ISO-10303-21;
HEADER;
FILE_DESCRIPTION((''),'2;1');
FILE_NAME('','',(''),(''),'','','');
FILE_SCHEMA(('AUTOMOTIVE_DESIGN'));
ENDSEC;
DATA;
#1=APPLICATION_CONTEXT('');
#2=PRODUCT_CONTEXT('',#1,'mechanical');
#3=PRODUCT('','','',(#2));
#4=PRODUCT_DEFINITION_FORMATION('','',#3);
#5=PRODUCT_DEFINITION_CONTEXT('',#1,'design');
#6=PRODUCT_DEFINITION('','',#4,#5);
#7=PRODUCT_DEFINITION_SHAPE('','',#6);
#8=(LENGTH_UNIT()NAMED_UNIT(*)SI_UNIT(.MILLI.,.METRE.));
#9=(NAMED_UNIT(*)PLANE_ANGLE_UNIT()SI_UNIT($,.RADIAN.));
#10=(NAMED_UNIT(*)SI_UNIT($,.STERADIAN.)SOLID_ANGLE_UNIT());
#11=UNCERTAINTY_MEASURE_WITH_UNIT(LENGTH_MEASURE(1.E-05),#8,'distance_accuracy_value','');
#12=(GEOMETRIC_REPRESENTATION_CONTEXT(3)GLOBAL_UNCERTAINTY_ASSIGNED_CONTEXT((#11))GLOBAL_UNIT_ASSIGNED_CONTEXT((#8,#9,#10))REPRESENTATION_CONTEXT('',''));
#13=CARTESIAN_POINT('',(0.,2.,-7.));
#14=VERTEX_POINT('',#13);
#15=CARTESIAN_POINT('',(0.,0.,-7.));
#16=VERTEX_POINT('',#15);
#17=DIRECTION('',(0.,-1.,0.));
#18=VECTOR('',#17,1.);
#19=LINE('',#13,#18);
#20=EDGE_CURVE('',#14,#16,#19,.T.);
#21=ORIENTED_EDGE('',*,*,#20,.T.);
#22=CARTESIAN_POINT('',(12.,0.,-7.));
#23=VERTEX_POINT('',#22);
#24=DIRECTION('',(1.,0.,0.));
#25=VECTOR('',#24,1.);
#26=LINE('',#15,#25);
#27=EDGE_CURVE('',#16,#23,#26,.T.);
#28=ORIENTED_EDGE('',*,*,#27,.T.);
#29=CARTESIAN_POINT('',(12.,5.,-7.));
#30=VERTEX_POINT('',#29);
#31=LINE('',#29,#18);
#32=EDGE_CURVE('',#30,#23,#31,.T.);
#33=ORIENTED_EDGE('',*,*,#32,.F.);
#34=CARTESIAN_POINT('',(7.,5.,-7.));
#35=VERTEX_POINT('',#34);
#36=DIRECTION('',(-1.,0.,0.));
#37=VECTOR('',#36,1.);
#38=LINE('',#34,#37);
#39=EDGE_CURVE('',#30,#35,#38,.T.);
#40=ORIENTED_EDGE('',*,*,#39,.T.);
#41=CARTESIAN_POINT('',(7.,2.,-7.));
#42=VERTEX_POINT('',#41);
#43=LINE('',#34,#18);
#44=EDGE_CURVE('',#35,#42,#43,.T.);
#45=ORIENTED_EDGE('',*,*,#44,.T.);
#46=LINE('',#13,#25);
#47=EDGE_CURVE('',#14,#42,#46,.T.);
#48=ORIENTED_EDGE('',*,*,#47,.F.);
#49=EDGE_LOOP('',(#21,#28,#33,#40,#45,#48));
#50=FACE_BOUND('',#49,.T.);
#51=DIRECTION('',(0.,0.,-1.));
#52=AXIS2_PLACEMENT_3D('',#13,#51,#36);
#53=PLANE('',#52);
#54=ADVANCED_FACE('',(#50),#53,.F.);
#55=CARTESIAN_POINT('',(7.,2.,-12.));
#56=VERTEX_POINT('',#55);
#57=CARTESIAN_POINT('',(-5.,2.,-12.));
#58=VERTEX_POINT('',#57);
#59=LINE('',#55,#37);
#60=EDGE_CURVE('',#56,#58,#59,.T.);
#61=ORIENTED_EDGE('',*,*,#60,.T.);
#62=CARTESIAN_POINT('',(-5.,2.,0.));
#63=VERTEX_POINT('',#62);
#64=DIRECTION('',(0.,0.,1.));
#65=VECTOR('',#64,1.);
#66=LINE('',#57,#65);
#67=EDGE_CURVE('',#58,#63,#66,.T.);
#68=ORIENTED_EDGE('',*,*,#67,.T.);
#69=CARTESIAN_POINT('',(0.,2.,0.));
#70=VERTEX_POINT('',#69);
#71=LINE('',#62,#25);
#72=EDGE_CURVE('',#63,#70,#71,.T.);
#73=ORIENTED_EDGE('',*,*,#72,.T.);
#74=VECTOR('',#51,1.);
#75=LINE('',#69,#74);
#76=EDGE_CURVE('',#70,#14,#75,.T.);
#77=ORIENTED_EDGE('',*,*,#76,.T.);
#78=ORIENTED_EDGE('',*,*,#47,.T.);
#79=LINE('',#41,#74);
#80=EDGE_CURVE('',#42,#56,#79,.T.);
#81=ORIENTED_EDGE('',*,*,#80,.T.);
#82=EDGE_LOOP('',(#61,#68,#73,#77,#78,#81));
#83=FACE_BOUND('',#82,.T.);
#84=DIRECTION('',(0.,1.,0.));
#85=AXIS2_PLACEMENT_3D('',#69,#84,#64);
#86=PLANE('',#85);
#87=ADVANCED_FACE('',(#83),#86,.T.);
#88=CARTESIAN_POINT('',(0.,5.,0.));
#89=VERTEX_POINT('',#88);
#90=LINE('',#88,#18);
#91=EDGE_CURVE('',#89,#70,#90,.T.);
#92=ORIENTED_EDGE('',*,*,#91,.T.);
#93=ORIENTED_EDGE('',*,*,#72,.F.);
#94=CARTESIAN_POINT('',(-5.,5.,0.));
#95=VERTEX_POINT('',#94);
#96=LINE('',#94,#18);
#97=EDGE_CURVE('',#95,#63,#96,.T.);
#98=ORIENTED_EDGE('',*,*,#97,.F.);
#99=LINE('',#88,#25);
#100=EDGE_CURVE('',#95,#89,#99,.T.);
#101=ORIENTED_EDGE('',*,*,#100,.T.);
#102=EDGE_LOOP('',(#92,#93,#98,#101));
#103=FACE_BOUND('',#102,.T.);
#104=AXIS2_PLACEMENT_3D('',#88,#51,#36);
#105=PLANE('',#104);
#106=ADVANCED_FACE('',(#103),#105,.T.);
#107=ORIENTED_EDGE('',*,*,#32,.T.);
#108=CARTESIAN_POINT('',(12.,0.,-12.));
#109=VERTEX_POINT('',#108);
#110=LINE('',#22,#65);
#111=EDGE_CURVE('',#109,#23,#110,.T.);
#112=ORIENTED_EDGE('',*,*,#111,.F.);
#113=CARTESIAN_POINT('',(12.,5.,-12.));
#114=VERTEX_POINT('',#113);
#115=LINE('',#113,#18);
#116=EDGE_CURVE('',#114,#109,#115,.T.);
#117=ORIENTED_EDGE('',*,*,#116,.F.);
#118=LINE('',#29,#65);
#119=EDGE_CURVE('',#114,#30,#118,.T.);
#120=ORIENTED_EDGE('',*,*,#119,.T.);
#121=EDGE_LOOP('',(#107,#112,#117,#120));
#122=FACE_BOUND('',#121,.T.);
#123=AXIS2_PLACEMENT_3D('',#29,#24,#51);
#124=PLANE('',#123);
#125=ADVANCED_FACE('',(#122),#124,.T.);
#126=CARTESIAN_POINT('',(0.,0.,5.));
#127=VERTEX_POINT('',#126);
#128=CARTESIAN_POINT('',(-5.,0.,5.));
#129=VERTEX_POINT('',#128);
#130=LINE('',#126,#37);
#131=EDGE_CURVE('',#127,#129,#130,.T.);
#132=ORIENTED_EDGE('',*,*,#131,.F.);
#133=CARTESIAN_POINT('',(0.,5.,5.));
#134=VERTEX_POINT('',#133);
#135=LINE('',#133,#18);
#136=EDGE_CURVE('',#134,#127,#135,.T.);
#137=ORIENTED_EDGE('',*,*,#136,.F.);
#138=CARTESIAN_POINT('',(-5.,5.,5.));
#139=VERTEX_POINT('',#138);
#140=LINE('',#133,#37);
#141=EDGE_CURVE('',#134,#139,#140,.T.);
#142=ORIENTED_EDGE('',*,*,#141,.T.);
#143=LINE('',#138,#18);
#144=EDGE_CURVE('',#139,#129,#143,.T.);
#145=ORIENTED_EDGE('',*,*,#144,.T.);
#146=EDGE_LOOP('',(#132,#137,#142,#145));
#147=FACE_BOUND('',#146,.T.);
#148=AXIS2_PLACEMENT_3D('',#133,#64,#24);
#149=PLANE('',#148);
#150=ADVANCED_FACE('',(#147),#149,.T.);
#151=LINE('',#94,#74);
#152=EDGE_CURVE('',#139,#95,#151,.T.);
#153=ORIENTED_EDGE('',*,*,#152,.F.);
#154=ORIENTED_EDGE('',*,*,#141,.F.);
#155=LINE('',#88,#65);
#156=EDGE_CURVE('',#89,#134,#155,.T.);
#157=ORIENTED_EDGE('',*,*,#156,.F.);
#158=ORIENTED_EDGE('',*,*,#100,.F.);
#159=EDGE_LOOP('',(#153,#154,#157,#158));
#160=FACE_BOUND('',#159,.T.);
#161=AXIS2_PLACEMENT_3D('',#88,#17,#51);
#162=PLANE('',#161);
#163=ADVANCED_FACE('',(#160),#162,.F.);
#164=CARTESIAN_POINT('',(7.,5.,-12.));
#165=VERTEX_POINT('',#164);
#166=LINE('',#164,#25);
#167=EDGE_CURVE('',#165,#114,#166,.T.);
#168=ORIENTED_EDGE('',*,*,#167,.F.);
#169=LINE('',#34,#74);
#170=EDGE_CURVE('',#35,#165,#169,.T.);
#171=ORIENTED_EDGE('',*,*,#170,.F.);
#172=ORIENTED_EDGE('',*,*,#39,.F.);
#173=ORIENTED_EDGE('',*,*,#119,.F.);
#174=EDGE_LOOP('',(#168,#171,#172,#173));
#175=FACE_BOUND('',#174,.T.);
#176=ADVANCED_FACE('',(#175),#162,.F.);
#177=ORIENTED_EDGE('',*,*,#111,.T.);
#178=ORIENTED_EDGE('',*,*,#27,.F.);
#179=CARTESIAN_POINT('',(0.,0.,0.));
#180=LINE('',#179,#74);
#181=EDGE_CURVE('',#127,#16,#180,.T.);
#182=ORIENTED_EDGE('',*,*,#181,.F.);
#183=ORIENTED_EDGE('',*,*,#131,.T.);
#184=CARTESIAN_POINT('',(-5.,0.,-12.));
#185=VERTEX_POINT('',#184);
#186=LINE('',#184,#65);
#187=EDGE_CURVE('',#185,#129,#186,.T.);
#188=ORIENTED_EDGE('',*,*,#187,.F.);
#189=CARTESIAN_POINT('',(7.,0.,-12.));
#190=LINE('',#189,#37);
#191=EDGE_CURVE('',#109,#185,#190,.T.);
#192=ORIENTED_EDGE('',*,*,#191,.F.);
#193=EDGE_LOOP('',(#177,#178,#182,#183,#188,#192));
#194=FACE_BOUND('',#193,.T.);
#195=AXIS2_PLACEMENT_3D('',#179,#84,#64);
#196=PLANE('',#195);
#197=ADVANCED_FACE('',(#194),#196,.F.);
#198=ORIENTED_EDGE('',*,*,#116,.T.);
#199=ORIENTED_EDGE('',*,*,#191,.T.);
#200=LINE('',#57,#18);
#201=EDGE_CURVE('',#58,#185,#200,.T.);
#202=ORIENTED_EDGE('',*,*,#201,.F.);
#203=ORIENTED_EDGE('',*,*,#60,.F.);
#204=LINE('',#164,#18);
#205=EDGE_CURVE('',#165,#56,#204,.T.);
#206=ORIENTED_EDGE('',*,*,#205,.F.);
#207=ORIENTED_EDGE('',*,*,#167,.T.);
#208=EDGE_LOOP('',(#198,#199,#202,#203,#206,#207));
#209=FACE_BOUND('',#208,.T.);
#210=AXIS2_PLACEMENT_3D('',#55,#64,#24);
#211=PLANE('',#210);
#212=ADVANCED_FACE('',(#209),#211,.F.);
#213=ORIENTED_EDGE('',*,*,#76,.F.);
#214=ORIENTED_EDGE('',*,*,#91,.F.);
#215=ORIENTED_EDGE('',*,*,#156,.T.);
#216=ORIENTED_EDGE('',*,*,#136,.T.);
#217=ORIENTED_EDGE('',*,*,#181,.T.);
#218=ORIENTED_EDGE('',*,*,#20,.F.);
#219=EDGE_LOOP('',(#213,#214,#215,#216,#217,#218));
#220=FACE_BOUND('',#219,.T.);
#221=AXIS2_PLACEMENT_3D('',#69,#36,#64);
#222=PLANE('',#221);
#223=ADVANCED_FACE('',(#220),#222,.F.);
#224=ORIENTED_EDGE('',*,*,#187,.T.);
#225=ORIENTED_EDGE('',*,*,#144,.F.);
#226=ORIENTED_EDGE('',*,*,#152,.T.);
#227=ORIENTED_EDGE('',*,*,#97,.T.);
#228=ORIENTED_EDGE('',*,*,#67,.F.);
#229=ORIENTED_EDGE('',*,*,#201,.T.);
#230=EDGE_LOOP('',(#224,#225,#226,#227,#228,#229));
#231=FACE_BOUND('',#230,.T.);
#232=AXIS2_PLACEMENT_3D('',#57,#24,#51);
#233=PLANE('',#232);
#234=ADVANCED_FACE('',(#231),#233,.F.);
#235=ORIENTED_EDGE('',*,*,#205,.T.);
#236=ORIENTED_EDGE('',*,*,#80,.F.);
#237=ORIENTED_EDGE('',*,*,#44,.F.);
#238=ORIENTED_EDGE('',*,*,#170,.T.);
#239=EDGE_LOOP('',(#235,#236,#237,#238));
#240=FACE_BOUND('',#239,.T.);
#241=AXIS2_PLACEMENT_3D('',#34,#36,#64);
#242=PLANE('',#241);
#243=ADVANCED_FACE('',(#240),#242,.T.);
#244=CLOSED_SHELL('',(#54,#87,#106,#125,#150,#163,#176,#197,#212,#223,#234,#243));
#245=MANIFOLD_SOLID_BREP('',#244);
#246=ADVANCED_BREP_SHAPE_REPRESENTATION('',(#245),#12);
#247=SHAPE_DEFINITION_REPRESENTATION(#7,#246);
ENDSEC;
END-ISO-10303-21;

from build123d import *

# Parameters (mm, degrees)
BOSS_EXTRUDE1_DEPTH = 2
SKETCH2_W           = 5
SKETCH2_H           = 5
BOSS_EXTRUDE2_DEPTH = 5


with BuildPart() as part:
    # Sketch1 → Boss-Extrude1 (new body)
    with BuildSketch(Plane(origin=(0, 0, 0), x_dir=(1, 0, 0), z_dir=(0, 1, 0))):
        Polygon((0, 0), (0, 7), (7, 7), (7, 12), (-5, 12), (-5, 0), align=None)
    extrude(amount=BOSS_EXTRUDE1_DEPTH)

    # Sketch2 → Boss-Extrude2 (add)
    with BuildSketch(Plane.XZ):
        with Locations((-2.5, 2.5)):
            Rectangle(SKETCH2_W, SKETCH2_H)
        with Locations((9.5, -9.5)):
            Rectangle(SKETCH2_W, SKETCH2_H)
    extrude(amount=-BOSS_EXTRUDE2_DEPTH)


solid = part.part
